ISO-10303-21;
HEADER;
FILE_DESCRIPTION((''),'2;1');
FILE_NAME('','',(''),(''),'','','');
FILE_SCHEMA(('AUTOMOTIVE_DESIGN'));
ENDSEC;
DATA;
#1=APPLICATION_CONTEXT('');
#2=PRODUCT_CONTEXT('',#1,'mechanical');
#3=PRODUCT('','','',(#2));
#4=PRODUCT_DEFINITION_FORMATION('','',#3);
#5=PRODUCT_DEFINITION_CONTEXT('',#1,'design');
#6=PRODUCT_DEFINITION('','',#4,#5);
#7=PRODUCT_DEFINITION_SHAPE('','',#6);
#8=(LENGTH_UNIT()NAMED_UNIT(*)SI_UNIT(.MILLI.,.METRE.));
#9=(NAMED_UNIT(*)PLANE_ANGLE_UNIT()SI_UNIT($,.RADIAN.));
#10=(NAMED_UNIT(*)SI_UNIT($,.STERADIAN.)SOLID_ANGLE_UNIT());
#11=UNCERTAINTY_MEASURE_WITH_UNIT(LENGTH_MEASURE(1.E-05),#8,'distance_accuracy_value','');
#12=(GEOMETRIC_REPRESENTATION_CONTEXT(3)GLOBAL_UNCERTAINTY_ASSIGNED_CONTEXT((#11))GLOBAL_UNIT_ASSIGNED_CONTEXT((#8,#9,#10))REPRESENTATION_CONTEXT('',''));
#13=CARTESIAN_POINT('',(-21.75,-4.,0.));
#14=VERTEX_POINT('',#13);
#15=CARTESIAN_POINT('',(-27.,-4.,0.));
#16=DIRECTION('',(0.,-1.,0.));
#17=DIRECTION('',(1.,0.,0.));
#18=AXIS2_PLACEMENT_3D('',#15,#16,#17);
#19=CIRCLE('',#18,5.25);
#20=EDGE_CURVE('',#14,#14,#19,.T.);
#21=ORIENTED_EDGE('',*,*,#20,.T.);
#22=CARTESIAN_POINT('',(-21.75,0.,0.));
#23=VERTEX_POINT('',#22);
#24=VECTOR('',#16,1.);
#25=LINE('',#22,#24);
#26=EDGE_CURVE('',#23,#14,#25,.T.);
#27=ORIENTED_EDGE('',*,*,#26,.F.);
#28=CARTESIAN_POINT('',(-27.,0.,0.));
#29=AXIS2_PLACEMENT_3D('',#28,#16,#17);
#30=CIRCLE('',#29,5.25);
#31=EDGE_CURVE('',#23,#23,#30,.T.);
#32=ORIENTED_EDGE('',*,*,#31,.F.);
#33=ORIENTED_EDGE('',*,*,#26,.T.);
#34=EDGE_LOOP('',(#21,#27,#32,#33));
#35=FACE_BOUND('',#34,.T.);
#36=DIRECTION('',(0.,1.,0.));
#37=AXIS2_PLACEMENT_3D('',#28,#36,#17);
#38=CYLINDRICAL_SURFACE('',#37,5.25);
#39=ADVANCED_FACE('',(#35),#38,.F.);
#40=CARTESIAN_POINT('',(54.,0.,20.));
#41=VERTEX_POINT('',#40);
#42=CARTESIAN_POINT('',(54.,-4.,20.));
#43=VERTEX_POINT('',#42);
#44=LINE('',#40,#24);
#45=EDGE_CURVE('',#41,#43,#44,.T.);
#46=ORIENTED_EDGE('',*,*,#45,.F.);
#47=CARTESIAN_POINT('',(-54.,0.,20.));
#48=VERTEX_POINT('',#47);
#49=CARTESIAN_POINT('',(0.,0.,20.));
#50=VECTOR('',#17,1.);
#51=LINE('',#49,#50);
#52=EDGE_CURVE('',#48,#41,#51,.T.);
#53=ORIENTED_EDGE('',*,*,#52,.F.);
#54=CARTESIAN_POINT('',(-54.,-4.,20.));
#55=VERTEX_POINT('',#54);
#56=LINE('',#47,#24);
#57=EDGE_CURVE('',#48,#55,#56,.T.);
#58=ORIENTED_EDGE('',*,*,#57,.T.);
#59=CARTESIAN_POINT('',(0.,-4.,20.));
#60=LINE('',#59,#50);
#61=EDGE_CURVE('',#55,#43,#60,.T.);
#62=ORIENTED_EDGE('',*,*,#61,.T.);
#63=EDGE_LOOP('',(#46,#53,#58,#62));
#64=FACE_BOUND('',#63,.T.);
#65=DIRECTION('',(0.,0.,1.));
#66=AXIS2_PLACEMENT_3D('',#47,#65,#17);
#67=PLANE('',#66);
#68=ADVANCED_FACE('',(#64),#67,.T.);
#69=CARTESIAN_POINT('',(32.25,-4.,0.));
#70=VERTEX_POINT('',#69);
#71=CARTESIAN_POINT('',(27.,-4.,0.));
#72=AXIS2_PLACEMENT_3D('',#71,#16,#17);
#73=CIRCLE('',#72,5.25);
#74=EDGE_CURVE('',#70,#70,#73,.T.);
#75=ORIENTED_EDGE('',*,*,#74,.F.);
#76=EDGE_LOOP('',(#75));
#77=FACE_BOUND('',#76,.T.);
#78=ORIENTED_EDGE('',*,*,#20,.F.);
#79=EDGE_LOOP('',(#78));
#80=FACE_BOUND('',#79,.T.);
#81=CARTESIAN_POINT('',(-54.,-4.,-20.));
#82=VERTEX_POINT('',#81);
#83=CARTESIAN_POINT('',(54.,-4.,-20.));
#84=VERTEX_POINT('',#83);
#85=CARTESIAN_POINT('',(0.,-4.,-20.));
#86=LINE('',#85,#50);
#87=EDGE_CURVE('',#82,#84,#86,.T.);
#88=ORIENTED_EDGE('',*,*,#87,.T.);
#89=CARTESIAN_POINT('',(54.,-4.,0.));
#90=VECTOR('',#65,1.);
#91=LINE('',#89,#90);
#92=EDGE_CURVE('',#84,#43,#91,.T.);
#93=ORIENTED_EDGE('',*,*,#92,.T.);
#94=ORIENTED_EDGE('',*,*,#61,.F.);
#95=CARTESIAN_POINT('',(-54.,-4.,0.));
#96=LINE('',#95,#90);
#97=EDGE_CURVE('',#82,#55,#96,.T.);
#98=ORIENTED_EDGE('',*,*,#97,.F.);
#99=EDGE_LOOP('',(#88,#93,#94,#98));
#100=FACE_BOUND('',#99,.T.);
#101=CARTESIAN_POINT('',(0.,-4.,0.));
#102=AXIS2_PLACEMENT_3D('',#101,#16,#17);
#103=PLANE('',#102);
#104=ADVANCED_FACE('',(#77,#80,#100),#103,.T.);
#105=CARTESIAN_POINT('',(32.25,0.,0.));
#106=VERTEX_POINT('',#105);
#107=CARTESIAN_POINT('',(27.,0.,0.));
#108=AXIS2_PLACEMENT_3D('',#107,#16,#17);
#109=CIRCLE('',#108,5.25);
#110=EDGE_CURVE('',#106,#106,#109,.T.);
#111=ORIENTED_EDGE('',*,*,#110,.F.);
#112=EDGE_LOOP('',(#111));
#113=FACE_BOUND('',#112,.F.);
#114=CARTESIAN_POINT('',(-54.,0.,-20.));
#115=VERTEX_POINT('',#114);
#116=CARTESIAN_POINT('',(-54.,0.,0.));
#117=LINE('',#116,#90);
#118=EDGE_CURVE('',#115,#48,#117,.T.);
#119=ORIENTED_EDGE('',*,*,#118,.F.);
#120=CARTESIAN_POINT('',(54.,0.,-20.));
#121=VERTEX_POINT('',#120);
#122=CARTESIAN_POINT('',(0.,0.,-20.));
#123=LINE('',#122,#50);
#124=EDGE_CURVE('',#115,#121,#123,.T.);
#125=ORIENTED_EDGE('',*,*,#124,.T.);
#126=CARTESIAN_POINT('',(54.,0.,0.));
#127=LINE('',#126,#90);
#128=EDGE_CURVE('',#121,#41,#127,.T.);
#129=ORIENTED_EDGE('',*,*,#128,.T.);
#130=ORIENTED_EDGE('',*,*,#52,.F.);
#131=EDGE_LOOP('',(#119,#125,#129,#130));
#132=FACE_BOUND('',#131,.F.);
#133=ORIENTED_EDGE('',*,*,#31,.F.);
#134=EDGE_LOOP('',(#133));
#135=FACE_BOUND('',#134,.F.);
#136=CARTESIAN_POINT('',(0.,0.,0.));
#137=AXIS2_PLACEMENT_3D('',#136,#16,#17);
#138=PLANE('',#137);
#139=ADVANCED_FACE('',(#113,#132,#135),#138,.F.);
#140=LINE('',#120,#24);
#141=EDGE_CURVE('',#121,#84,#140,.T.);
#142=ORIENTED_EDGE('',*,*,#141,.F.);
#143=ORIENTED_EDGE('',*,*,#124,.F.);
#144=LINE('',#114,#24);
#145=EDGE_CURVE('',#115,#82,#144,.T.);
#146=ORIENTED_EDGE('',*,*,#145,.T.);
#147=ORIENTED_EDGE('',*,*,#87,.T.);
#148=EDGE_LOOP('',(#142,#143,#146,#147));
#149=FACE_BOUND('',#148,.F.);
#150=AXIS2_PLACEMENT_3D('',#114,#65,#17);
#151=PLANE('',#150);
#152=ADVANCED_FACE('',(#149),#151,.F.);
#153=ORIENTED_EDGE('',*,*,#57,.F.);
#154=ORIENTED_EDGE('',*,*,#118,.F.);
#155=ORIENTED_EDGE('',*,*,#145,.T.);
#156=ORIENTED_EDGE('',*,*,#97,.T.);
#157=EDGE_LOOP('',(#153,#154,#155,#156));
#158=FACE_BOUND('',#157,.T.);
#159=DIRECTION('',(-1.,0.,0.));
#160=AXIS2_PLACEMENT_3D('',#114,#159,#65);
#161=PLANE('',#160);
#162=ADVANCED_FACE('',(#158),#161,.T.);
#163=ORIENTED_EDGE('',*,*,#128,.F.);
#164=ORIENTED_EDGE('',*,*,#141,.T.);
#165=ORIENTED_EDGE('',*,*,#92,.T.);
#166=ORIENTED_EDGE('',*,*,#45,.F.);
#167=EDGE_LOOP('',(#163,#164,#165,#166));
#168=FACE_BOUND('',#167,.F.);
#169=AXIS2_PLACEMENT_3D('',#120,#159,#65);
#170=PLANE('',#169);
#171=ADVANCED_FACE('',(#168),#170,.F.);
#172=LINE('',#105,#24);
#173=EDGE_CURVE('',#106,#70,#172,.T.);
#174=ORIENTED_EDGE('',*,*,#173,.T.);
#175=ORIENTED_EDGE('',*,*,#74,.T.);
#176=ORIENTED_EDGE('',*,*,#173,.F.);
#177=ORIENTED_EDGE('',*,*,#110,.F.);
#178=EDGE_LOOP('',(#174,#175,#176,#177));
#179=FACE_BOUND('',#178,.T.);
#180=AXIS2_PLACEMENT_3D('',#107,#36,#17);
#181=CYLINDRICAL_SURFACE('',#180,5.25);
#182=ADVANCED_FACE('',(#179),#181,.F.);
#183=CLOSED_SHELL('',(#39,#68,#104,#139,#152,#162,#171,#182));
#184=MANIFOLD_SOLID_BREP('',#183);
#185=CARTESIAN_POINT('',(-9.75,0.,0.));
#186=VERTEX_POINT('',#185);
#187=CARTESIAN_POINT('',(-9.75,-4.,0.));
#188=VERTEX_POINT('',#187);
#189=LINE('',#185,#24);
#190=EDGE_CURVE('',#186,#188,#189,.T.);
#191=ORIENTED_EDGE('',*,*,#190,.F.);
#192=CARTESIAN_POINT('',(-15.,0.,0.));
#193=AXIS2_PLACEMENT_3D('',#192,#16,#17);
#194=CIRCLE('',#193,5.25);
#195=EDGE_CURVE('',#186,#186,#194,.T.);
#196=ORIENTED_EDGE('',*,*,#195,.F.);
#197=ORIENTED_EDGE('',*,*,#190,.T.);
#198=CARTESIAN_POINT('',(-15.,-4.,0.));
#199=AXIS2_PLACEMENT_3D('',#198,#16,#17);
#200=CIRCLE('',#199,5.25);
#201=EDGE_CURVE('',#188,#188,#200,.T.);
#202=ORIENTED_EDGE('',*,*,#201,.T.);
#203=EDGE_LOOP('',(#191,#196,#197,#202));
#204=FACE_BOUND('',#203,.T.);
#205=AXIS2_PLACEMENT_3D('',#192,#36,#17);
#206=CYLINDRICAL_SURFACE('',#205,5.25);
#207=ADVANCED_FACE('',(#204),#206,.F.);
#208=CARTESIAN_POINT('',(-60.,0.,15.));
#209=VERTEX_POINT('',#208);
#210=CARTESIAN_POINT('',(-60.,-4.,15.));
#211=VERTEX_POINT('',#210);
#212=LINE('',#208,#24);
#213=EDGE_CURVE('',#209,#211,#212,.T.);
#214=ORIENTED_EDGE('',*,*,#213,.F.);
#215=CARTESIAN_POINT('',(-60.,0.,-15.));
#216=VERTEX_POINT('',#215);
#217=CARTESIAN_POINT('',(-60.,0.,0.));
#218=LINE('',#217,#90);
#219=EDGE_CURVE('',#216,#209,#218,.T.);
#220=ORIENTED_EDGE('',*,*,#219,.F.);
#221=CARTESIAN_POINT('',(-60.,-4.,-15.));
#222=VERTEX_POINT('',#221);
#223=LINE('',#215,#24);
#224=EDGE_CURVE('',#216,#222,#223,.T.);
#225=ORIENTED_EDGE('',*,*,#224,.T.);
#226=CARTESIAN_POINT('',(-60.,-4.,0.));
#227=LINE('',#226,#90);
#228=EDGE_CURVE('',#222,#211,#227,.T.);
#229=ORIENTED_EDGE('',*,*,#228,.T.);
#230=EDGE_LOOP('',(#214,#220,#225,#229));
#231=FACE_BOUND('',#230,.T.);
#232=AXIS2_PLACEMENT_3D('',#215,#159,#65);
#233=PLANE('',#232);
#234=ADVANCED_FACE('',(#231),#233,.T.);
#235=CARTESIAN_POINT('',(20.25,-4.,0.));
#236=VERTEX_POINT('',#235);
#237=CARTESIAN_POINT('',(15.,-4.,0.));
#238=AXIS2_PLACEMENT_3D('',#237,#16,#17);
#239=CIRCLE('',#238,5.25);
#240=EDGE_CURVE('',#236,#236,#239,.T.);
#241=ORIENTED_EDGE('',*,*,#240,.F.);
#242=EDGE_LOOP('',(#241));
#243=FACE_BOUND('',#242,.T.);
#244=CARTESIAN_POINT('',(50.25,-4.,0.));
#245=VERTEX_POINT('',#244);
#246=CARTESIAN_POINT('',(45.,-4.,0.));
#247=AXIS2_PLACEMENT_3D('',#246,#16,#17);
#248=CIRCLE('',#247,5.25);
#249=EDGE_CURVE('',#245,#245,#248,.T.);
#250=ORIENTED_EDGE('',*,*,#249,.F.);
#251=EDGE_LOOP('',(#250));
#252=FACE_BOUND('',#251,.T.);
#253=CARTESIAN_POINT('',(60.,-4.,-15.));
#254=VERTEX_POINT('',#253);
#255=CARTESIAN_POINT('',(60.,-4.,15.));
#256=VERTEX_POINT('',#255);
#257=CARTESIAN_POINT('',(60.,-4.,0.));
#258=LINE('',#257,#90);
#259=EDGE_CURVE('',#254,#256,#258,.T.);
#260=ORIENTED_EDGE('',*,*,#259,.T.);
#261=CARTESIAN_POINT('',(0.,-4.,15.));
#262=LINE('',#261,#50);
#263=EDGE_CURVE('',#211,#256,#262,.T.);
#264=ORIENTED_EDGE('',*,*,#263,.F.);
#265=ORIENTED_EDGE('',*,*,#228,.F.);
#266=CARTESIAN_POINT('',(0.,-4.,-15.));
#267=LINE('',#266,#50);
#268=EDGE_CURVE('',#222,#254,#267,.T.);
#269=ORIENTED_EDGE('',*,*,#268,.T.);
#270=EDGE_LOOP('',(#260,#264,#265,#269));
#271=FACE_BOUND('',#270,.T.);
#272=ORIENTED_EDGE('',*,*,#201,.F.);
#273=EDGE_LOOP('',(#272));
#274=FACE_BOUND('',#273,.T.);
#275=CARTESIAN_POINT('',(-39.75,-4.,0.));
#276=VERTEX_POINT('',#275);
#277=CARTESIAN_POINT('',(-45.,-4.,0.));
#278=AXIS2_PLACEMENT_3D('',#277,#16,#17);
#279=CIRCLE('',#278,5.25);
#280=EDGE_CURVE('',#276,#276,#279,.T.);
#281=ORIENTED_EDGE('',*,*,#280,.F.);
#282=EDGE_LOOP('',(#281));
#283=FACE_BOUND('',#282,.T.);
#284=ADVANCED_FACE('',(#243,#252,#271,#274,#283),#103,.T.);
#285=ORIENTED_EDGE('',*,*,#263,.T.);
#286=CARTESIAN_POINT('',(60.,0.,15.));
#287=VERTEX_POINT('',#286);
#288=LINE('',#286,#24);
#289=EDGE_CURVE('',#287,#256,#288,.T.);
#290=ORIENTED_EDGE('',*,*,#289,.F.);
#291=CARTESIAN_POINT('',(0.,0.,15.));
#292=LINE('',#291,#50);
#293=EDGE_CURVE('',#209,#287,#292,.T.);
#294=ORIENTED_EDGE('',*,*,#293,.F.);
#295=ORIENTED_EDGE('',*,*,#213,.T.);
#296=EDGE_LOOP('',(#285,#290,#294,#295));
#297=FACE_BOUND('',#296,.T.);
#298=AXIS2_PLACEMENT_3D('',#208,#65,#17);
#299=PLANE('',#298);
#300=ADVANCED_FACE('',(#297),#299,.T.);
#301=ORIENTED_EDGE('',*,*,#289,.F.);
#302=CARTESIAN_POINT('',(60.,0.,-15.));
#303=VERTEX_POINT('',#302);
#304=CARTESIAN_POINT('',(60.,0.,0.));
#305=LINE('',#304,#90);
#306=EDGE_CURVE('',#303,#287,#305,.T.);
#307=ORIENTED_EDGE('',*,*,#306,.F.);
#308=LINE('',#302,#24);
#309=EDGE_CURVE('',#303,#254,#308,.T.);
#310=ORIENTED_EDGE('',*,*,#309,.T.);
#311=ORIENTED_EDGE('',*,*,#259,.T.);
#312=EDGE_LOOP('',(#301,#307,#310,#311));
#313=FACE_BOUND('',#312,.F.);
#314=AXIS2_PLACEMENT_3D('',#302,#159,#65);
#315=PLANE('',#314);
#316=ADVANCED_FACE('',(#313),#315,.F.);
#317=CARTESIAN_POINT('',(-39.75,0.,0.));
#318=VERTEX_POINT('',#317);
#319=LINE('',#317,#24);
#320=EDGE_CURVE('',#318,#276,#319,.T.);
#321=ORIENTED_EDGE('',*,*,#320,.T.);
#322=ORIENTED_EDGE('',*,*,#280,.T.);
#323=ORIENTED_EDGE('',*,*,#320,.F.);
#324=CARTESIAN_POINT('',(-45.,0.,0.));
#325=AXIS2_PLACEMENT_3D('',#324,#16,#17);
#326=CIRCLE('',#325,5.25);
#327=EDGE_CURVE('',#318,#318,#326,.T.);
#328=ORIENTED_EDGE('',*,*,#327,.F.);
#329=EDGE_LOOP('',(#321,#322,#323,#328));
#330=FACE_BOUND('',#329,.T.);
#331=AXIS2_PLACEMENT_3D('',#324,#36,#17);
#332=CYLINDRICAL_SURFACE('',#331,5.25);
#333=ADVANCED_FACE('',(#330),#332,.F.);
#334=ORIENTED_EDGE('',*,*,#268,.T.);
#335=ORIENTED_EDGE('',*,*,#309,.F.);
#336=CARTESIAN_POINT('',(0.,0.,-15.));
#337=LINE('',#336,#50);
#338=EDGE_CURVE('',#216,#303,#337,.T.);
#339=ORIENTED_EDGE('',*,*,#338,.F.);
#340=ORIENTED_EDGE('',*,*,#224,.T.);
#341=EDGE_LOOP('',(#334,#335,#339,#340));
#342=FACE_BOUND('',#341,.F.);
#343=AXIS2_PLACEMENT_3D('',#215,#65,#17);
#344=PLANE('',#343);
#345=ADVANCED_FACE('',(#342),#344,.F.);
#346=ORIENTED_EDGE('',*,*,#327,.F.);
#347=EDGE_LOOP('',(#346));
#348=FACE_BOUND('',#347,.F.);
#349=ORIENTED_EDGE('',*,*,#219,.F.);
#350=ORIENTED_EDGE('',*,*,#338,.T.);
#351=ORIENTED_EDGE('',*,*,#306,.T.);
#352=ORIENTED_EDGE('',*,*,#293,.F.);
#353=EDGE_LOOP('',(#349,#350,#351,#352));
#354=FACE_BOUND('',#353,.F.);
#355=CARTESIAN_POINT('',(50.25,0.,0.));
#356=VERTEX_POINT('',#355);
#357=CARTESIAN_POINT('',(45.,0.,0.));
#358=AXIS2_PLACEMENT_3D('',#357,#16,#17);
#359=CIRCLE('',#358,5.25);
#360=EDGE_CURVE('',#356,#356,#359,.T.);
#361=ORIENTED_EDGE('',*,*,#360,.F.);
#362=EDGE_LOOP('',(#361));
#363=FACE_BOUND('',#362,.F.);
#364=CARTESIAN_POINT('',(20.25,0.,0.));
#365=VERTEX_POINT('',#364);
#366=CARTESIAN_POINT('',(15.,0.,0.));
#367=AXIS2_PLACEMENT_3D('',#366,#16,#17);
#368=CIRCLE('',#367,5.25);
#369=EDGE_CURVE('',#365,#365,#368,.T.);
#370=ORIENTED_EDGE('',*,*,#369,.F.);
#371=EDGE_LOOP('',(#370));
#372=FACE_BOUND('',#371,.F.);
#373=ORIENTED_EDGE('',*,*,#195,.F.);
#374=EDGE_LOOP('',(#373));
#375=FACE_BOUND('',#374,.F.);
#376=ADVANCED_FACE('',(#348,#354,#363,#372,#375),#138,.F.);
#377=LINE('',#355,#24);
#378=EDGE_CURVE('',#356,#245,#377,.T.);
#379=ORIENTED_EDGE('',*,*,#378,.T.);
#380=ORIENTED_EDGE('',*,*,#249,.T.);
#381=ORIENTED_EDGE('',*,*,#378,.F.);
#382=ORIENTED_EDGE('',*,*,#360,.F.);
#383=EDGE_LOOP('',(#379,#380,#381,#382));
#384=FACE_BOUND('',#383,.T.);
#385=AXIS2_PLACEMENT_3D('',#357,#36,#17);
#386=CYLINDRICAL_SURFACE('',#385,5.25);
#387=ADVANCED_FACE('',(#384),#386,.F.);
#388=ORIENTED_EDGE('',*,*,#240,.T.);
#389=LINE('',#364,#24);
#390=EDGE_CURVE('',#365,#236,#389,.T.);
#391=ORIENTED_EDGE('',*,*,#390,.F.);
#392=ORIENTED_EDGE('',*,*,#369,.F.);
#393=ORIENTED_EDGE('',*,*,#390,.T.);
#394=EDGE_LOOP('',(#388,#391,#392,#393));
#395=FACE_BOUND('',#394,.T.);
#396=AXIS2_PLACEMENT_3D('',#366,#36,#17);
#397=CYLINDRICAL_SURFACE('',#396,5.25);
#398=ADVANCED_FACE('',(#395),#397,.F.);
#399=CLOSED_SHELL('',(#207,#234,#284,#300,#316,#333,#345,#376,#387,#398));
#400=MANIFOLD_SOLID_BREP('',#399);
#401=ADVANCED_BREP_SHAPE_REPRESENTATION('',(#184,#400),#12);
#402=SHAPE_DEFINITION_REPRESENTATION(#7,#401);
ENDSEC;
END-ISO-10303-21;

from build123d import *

# Parameters (mm, degrees)
F0_W     = 120
F0_H     = 30
F0_R     = 5.25
F1_DEPTH = 4
F2_W     = 108
F2_H     = 40
F2_R     = 5.25
F3_DEPTH = 4


with BuildPart() as f1:
    # F0 (on Front) → F1 (new body)
    with BuildSketch(Plane.XZ):
        Rectangle(F0_W, F0_H)
        with Locations((-45, 0)):
            Circle(F0_R, mode=Mode.SUBTRACT)
        with Locations((-15, 0)):
            Circle(F0_R, mode=Mode.SUBTRACT)
        with Locations((15, 0)):
            Circle(F0_R, mode=Mode.SUBTRACT)
        with Locations((45, 0)):
            Circle(F0_R, mode=Mode.SUBTRACT)
    extrude(amount=F1_DEPTH)


with BuildPart() as f3:
    # F2 (on Front) → F3 (new body)
    with BuildSketch(Plane.XZ):
        Rectangle(F2_W, F2_H)
        with Locations((-27, 0)):
            Circle(F2_R, mode=Mode.SUBTRACT)
        with Locations((27, 0)):
            Circle(F2_R, mode=Mode.SUBTRACT)
    extrude(amount=F3_DEPTH)


solid = Compound([f1.part, f3.part])
